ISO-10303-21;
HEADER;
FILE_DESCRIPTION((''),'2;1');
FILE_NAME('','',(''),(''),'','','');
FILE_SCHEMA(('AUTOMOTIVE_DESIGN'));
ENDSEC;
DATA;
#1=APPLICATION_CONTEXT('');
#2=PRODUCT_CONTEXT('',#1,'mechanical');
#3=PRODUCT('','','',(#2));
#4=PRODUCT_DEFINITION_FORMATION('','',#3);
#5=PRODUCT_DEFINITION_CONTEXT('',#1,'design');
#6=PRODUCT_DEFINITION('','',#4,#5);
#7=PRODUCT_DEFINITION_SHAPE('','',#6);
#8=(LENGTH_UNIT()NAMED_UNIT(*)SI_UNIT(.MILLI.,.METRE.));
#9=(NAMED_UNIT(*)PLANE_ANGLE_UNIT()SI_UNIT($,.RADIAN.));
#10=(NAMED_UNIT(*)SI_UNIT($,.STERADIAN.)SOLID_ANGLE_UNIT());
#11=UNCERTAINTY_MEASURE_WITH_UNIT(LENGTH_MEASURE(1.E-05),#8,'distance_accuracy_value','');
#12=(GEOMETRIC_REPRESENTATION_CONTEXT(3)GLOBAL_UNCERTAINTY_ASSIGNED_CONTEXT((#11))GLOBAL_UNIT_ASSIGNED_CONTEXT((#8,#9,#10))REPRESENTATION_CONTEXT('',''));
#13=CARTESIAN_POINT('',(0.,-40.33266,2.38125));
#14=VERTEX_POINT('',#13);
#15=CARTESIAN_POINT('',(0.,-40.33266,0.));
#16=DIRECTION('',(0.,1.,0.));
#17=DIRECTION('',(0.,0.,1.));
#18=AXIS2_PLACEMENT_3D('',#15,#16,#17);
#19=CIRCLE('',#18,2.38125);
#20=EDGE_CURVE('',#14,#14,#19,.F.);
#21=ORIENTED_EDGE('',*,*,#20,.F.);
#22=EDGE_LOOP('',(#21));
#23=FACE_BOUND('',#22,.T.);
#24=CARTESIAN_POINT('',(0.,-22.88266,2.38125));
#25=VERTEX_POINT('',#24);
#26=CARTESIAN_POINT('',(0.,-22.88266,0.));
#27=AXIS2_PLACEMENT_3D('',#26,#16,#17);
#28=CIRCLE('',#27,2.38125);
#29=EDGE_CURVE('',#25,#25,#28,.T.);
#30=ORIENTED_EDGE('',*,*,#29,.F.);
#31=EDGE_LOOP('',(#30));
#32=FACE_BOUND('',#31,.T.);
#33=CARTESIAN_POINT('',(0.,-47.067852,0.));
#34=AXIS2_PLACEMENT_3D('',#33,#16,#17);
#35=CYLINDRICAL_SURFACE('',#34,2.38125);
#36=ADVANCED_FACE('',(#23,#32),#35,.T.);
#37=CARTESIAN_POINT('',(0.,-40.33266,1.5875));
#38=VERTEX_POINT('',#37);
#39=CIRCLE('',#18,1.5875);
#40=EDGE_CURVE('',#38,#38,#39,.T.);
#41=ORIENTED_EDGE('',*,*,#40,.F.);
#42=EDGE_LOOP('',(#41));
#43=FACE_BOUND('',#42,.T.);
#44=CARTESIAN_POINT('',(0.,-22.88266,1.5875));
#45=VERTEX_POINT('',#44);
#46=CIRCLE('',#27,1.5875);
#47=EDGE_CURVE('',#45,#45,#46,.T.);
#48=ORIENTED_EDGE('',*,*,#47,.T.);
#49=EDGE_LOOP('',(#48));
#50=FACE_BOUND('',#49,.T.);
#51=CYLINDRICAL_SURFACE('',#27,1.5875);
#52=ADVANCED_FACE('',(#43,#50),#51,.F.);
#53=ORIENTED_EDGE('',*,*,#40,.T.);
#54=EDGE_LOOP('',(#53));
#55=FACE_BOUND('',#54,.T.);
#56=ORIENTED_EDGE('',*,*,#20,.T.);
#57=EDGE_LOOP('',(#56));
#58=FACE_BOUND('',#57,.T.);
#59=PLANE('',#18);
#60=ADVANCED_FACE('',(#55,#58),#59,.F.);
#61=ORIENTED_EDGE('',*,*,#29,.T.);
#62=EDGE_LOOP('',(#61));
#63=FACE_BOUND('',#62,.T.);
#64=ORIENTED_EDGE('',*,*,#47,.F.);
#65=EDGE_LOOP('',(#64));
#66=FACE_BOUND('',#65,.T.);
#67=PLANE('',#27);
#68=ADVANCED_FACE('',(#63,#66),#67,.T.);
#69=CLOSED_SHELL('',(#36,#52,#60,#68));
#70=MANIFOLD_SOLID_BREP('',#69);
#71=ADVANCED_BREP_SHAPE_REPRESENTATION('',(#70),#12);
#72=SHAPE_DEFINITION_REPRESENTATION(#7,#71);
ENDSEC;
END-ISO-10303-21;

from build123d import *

# Parameters (mm, degrees)
SKETCH3_R                        = 2.38125
BOSS_EXTRUDE3_DEPTH              = 17.45
F_1_8_0_125_DIAMETER_HOLE1_D     = 3.175
F_1_8_0_125_DIAMETER_HOLE1_DEPTH = 17.449999898


with BuildPart() as part:
    # Sketch3 → Boss-Extrude3 (new body)
    with BuildSketch(Plane(origin=(0, -22.882660102, 0), x_dir=(1, 0, 0), z_dir=(0, 1, 0))):
        Circle(SKETCH3_R)
    extrude(amount=-BOSS_EXTRUDE3_DEPTH)

    # 1/8 (0.125) Diameter Hole1
    with Locations(Plane(origin=(0, -22.882660102, 0), x_dir=(1, 0, 0), z_dir=(0, 1, 0))):
        with Locations((0, 0)):
            Hole(F_1_8_0_125_DIAMETER_HOLE1_D / 2, depth=F_1_8_0_125_DIAMETER_HOLE1_DEPTH)


solid = part.part
